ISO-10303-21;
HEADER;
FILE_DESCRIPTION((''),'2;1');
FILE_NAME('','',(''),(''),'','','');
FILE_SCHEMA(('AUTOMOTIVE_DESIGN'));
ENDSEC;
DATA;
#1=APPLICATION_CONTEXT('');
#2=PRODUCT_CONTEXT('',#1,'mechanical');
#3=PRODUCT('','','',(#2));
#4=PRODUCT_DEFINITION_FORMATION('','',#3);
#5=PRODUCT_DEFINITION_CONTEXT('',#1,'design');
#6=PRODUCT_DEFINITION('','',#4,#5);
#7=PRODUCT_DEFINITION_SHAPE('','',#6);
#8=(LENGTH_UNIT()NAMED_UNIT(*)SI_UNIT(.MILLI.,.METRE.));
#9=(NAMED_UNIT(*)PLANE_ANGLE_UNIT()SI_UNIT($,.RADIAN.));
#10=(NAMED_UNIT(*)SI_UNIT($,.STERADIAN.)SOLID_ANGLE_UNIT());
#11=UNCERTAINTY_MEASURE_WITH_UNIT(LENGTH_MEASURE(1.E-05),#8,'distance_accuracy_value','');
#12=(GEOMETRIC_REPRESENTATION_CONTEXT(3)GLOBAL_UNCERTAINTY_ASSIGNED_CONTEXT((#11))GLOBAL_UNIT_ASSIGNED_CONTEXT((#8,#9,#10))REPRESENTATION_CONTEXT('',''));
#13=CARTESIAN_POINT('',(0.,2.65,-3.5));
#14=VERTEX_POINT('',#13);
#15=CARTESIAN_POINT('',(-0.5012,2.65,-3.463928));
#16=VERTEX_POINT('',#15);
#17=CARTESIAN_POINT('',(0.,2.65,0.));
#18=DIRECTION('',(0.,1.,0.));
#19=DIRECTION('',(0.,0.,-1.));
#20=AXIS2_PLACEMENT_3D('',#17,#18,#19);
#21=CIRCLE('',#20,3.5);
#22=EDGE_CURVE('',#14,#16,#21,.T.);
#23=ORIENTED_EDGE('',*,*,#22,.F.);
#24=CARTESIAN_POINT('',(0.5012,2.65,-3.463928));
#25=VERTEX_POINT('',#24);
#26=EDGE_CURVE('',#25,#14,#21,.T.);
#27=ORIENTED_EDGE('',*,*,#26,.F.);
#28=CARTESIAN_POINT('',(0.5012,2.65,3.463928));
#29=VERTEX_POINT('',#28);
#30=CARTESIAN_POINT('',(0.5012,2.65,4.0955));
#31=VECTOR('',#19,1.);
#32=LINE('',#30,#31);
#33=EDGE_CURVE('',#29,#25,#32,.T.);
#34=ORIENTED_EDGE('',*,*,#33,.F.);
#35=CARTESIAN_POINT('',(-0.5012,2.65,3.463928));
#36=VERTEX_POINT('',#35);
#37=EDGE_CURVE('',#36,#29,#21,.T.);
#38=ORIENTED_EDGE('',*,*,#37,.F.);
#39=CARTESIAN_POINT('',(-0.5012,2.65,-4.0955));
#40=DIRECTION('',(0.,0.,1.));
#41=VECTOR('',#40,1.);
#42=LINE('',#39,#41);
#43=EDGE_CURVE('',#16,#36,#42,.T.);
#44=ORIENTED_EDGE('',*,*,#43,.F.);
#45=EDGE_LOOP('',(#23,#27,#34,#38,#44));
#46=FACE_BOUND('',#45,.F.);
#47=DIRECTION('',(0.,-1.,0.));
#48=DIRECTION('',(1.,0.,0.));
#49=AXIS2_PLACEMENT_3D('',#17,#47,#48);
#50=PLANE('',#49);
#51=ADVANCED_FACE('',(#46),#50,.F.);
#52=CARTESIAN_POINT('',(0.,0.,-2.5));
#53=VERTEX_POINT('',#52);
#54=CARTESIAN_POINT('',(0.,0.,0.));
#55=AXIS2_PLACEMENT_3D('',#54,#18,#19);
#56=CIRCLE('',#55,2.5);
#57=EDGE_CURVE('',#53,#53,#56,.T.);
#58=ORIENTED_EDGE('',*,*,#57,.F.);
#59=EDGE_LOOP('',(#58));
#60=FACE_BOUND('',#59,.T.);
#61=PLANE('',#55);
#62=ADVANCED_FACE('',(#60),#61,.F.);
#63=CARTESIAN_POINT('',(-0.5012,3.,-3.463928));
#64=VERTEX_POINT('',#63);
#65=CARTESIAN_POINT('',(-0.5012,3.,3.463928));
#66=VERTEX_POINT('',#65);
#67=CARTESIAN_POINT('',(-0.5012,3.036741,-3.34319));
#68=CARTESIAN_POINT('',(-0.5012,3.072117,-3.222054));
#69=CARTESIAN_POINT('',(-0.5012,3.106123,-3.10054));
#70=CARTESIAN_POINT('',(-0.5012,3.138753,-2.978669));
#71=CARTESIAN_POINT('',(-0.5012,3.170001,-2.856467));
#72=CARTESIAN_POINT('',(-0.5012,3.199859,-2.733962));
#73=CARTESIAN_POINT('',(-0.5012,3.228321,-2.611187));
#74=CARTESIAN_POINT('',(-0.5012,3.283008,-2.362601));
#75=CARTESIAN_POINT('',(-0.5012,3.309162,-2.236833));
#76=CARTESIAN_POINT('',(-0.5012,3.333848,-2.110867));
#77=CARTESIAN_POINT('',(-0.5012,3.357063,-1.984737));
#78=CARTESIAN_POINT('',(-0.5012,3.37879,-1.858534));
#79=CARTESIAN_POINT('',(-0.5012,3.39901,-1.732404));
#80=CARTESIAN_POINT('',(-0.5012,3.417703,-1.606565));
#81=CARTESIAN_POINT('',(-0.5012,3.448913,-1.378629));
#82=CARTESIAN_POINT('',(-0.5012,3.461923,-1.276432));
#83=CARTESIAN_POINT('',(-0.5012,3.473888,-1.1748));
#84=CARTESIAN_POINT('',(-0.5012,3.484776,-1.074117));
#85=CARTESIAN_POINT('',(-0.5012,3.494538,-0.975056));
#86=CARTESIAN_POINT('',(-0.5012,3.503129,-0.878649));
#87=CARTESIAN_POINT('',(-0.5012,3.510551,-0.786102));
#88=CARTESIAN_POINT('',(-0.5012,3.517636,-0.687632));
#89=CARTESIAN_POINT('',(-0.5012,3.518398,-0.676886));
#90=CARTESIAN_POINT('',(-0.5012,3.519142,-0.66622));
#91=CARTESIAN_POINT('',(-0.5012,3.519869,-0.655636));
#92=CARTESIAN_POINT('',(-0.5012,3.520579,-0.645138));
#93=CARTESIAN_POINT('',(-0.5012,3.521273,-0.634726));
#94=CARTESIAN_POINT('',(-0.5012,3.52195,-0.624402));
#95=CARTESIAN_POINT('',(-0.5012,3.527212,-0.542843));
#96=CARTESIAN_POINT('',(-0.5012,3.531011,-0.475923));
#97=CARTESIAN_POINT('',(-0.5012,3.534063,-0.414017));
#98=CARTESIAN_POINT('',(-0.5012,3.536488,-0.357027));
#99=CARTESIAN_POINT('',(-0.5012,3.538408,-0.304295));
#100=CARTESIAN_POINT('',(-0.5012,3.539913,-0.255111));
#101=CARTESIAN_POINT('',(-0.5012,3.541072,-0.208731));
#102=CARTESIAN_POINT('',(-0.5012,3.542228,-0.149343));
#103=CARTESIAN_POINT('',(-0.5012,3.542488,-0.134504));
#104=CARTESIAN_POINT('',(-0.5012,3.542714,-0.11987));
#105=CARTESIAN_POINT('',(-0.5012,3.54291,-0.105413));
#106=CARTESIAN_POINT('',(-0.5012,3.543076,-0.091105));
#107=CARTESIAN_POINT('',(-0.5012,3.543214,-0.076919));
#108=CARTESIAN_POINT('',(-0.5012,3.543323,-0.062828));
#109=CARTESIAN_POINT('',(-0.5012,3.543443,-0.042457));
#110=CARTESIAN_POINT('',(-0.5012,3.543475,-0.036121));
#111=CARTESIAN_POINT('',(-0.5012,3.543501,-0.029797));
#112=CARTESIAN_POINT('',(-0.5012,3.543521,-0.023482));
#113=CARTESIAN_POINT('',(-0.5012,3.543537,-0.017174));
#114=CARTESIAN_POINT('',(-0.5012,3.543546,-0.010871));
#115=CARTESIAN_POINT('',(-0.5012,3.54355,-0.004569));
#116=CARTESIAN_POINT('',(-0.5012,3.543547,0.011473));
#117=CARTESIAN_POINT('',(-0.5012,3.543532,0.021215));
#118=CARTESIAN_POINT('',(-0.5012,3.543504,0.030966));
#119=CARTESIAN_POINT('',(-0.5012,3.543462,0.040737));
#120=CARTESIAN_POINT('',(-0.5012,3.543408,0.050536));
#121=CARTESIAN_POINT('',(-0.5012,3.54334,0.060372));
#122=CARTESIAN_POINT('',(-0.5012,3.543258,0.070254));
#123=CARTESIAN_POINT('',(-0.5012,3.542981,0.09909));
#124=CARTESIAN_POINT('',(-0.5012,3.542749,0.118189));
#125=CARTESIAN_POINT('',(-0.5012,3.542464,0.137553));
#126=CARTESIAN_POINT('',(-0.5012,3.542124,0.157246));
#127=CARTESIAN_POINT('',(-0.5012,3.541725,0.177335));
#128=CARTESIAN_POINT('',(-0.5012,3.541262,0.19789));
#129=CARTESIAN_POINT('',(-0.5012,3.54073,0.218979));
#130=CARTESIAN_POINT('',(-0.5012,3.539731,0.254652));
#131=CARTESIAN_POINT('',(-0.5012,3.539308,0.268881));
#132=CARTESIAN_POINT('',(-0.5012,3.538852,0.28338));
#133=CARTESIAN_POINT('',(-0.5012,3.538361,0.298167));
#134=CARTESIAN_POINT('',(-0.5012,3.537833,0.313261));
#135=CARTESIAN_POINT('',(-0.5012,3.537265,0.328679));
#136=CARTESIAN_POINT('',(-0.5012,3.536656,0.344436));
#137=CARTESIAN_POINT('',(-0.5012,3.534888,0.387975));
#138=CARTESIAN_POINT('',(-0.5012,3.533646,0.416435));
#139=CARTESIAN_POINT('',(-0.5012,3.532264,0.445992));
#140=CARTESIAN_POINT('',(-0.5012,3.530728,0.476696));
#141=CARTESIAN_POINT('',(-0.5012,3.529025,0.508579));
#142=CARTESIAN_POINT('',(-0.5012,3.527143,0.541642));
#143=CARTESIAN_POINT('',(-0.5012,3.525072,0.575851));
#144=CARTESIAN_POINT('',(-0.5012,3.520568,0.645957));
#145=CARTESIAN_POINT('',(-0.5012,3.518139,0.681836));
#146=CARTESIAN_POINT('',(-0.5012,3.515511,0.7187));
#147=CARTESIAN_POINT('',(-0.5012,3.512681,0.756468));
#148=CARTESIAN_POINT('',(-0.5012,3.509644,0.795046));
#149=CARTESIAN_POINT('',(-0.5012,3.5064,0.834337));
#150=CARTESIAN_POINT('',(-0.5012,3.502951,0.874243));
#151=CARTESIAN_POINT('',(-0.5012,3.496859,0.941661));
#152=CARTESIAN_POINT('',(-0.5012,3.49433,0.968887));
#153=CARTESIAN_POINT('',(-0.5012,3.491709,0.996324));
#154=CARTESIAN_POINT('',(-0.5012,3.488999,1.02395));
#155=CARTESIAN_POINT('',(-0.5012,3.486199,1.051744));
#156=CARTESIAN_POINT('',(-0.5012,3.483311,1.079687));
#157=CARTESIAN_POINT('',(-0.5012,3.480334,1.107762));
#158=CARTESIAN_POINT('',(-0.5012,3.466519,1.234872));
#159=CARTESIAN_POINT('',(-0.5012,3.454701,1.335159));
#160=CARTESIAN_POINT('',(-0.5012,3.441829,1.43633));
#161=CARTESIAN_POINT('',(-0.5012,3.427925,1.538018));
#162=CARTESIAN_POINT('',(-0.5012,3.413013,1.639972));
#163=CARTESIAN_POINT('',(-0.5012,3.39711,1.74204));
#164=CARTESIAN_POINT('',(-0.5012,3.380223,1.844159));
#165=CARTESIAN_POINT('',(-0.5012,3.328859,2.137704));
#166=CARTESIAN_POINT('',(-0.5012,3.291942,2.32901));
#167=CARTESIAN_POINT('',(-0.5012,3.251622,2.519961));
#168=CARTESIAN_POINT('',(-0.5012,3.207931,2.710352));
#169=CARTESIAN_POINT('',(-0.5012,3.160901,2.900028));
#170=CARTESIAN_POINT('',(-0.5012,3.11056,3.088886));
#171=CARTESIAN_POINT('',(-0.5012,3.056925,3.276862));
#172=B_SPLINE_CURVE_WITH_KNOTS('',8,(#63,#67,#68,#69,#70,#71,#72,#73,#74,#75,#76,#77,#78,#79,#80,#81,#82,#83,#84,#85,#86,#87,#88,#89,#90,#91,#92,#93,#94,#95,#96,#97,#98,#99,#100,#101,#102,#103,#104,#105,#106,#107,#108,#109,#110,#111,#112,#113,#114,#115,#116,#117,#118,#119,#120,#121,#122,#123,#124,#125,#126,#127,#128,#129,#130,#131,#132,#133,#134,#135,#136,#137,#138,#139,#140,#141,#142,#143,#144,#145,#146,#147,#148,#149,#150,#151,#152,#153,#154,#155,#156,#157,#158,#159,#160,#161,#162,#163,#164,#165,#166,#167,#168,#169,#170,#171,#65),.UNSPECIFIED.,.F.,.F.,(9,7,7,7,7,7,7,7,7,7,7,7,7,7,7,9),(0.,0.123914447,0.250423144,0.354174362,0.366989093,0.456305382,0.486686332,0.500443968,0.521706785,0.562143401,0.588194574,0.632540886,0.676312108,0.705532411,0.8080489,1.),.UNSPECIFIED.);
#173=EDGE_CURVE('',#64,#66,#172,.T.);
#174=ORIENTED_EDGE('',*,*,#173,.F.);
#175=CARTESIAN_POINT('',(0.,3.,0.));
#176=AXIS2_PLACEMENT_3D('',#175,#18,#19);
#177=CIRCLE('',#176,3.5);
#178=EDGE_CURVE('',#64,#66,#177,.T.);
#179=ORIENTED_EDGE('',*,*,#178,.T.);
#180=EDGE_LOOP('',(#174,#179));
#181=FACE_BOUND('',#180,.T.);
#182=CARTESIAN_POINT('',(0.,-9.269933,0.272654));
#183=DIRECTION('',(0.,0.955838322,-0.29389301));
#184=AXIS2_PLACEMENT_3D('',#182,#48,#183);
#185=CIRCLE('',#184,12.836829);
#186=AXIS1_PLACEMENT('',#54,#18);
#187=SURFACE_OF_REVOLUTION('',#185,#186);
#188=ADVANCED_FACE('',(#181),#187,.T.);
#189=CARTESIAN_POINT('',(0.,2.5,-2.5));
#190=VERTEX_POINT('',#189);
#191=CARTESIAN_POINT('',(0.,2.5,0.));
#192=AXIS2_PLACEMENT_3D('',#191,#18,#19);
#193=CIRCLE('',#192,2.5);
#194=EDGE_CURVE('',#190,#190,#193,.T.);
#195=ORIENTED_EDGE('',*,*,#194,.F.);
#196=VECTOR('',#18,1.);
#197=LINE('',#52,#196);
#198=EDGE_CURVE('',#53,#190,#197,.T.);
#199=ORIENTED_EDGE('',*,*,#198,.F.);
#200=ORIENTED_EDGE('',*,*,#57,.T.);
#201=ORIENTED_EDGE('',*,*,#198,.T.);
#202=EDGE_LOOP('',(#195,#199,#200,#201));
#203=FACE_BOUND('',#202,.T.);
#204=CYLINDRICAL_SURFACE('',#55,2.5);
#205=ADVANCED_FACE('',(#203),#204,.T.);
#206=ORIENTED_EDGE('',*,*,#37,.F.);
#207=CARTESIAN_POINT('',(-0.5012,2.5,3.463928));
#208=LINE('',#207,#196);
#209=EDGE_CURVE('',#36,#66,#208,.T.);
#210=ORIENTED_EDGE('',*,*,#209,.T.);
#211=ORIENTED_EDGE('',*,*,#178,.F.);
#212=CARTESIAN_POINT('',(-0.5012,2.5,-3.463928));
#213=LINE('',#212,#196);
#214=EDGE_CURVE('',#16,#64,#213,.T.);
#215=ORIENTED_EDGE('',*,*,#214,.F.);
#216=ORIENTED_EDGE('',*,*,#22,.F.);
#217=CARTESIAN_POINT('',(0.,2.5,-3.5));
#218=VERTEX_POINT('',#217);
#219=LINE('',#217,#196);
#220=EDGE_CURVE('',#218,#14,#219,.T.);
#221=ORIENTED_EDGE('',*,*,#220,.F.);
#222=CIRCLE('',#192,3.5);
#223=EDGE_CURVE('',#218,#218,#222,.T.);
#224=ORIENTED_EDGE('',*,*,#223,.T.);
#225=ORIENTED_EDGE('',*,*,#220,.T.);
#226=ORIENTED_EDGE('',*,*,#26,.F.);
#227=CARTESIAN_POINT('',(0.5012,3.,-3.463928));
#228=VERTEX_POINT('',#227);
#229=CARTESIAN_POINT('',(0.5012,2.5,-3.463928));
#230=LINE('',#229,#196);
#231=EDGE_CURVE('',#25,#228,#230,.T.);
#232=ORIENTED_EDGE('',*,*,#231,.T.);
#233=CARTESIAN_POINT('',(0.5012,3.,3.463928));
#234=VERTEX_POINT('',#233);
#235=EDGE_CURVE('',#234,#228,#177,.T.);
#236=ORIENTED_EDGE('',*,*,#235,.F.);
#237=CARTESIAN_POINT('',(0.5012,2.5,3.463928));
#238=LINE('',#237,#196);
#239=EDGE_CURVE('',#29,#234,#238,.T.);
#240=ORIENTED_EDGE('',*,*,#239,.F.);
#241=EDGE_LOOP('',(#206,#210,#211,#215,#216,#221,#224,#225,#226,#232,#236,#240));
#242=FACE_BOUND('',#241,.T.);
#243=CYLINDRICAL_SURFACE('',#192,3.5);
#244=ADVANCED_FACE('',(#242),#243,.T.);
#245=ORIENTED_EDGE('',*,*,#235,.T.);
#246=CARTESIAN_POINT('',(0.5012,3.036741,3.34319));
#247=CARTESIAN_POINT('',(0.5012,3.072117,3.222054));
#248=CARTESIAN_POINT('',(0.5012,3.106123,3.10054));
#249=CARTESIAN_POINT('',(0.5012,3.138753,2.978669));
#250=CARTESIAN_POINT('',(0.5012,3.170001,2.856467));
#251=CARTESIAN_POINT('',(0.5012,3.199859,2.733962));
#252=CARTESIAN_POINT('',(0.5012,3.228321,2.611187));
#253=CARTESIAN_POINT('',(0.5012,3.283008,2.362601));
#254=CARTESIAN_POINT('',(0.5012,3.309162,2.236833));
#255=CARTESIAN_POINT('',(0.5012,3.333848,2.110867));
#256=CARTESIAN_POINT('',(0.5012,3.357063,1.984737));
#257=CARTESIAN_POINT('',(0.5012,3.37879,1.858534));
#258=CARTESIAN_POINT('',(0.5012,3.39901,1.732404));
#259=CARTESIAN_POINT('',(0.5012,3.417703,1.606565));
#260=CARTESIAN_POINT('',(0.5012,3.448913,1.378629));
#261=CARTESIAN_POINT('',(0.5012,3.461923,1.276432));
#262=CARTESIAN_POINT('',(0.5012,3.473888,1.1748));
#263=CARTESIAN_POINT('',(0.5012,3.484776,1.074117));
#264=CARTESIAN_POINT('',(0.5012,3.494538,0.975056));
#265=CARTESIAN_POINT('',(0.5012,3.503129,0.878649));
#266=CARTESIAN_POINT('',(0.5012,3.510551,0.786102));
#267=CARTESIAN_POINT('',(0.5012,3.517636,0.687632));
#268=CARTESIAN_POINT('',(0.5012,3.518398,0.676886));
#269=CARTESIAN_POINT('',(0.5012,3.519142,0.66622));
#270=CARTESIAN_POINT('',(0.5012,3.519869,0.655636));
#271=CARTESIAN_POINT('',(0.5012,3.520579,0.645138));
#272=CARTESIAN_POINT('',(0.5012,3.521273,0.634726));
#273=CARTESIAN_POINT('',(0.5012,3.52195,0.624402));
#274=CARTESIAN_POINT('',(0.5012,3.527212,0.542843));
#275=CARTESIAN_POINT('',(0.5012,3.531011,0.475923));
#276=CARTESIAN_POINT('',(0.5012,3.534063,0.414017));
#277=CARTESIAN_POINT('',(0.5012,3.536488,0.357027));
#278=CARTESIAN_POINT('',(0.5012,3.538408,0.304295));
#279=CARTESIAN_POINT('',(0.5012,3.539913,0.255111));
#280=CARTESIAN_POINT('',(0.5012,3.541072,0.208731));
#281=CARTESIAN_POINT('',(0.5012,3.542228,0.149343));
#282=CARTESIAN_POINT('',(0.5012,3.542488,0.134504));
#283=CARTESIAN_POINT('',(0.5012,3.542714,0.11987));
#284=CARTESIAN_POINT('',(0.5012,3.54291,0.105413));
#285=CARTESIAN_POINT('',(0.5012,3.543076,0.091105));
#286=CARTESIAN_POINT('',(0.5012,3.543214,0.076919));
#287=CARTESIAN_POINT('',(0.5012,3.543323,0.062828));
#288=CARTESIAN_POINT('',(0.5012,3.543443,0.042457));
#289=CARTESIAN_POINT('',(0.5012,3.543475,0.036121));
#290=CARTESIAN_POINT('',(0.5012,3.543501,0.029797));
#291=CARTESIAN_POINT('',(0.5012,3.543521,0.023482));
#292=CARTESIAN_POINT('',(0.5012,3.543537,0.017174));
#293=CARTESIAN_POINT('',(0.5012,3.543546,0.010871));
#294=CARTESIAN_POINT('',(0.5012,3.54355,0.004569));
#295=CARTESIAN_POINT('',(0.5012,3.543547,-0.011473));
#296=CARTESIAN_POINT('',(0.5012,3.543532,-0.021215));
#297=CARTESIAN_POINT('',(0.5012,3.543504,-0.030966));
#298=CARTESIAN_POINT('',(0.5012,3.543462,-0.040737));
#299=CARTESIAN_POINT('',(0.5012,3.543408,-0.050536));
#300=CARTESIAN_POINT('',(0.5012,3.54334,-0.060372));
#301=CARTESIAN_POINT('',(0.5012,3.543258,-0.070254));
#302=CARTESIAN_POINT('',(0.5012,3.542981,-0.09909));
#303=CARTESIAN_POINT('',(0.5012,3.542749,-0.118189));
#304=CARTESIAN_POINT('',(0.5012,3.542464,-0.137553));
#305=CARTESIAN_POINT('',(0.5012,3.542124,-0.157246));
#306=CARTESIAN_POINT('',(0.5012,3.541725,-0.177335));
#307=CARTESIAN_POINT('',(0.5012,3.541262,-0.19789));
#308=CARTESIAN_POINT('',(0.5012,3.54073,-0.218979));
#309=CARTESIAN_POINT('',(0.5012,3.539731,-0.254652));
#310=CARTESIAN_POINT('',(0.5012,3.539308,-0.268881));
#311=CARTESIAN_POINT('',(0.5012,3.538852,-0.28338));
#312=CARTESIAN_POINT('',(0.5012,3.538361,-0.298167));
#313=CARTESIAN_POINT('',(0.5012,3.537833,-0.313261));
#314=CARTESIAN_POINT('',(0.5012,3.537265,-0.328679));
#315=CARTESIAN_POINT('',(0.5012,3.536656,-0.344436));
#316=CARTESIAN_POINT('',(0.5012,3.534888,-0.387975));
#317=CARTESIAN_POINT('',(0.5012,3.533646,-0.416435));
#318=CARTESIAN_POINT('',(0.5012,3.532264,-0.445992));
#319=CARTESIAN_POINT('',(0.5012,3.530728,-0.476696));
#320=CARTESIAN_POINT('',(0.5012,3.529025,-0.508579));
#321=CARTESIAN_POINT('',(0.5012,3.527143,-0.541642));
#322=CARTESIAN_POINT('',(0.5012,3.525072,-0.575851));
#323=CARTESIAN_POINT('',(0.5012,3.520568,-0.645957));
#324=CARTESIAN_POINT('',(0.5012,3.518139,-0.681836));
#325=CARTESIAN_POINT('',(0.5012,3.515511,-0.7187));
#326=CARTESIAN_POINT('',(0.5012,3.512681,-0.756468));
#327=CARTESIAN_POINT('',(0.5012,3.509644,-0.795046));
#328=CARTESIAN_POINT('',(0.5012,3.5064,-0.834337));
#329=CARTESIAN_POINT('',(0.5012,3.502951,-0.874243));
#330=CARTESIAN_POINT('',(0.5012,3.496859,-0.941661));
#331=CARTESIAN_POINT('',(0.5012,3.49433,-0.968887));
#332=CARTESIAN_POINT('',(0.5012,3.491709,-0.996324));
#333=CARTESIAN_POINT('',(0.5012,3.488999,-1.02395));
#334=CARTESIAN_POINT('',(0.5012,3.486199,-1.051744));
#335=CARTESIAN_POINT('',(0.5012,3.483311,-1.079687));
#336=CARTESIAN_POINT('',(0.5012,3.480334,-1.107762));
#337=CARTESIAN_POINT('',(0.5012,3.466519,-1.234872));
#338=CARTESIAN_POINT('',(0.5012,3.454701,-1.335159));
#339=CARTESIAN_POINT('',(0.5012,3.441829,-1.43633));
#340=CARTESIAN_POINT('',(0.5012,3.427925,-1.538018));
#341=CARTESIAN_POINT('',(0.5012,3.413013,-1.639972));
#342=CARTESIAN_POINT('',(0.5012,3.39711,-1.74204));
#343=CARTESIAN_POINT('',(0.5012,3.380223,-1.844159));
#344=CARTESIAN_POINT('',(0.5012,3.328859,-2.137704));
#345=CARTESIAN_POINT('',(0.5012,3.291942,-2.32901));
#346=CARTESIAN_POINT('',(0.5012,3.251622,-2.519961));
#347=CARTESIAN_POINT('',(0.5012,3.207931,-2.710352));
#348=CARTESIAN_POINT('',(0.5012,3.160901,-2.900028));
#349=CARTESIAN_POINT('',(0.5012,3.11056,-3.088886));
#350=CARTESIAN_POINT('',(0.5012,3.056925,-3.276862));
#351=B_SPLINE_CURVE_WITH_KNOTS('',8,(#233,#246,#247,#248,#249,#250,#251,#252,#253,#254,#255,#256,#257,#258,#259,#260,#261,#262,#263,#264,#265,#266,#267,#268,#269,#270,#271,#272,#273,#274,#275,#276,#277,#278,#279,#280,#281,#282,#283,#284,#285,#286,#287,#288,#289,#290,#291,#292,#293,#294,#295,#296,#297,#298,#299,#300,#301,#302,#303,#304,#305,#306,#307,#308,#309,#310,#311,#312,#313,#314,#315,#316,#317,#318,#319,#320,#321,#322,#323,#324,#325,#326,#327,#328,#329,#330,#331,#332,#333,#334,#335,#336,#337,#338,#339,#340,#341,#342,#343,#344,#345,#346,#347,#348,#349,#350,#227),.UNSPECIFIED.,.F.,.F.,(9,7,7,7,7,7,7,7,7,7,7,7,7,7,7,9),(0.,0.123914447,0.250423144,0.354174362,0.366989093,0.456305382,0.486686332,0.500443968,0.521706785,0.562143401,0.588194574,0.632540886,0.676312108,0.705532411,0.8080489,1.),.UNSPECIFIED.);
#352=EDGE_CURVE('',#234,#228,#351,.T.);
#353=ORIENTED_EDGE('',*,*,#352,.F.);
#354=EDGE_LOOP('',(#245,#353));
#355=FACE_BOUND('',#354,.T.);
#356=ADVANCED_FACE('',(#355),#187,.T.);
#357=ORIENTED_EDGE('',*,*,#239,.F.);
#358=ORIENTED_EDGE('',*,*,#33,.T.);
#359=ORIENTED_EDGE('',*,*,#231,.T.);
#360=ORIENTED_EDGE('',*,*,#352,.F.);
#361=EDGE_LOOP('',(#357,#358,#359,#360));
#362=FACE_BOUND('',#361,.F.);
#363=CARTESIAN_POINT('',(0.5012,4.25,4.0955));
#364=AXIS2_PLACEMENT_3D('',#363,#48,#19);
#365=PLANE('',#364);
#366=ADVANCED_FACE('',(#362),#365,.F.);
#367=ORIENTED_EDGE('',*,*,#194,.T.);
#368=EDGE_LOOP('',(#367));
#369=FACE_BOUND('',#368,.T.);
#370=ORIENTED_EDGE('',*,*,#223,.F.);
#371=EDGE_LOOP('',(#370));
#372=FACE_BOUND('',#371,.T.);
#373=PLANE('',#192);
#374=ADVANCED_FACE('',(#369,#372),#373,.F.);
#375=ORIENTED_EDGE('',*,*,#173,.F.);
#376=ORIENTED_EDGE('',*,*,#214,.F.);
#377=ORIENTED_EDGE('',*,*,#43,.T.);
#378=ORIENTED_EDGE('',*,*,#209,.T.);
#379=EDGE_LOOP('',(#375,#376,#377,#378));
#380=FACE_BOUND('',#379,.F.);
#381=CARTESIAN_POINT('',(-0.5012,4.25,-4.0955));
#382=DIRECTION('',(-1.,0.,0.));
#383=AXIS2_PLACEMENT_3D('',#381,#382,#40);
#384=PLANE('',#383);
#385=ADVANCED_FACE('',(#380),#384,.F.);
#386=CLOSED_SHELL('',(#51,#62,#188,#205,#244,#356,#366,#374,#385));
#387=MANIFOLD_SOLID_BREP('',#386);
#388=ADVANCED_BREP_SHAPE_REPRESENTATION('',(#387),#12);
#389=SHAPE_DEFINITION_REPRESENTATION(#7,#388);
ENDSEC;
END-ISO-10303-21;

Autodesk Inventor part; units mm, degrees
ref_plane "YZ Plane" through (0, 0, 0) normal (1, 0, 0) x (0, 1, 0)
ref_plane "XZ Plane" through (0, 0, 0) normal (0, 1, 0) x (-1, 0, 0)
sketch "Esboço1" plane through (0, 0, 0) normal (1, 0, 0) x (0, 1, 0)
  line L0 (0, 0) -> (2.5, 0)
  line L1 (2.5, -2.5) -> (2.5, -3.5)
  line L2 (2.5, -3.5) -> (3, -3.5)
  line L3 (2.5, 0) -> (3, 0)
  line L4 (2.5, 0) -> (3.693, 0)
  arc A0 (3, -3.5) -> (3.564, 0) centre (-9.2697, 0.2726) ccw
  line L5 (0, 0) -> (0, -2.5)
  line L6 (0, -2.5) -> (2.5, -2.5)
  dimension "d0" = 2.5
  dimension "d1" = 3.5
  dimension "d3" = 0.5
  dimension "d11" = 2.5
revolve "Revolução1" add sketch "Esboço1" angle 360 about axis through (0, 0, 0) along (0, 1, 0)
thread "Rosca1" size "M6x1" class "6g" standard "ANSI Metric M Profile" full length
ref_plane "Plano de trabalho1" through (0, 4.25, 0) normal (0, -1, 0) x (1, 0, 0)
sketch "Esboço2" plane through (0, 4.25, 0) normal (0, -1, 0) x (1, 0, 0)
  line L0 (-0.5012, 4.0955) -> (0.5012, 4.0955)
  line L1 (0.5012, 4.0955) -> (0.5012, -4.0955)
  line L2 (0.5012, -4.0955) -> (-0.5012, -4.0955)
  line L3 (-0.5012, -4.0955) -> (-0.5012, 4.0955)
  line L4 (-0.5012, 4.0955) -> (0.5012, -4.0955) construction
  line L5 (0.5012, 4.0955) -> (-0.5012, -4.0955) construction
  point P0 (0, 0)
extrude "Extrusão1" cut sketch "Esboço2" along normal blind 1.6
properties part number "parafusos"
